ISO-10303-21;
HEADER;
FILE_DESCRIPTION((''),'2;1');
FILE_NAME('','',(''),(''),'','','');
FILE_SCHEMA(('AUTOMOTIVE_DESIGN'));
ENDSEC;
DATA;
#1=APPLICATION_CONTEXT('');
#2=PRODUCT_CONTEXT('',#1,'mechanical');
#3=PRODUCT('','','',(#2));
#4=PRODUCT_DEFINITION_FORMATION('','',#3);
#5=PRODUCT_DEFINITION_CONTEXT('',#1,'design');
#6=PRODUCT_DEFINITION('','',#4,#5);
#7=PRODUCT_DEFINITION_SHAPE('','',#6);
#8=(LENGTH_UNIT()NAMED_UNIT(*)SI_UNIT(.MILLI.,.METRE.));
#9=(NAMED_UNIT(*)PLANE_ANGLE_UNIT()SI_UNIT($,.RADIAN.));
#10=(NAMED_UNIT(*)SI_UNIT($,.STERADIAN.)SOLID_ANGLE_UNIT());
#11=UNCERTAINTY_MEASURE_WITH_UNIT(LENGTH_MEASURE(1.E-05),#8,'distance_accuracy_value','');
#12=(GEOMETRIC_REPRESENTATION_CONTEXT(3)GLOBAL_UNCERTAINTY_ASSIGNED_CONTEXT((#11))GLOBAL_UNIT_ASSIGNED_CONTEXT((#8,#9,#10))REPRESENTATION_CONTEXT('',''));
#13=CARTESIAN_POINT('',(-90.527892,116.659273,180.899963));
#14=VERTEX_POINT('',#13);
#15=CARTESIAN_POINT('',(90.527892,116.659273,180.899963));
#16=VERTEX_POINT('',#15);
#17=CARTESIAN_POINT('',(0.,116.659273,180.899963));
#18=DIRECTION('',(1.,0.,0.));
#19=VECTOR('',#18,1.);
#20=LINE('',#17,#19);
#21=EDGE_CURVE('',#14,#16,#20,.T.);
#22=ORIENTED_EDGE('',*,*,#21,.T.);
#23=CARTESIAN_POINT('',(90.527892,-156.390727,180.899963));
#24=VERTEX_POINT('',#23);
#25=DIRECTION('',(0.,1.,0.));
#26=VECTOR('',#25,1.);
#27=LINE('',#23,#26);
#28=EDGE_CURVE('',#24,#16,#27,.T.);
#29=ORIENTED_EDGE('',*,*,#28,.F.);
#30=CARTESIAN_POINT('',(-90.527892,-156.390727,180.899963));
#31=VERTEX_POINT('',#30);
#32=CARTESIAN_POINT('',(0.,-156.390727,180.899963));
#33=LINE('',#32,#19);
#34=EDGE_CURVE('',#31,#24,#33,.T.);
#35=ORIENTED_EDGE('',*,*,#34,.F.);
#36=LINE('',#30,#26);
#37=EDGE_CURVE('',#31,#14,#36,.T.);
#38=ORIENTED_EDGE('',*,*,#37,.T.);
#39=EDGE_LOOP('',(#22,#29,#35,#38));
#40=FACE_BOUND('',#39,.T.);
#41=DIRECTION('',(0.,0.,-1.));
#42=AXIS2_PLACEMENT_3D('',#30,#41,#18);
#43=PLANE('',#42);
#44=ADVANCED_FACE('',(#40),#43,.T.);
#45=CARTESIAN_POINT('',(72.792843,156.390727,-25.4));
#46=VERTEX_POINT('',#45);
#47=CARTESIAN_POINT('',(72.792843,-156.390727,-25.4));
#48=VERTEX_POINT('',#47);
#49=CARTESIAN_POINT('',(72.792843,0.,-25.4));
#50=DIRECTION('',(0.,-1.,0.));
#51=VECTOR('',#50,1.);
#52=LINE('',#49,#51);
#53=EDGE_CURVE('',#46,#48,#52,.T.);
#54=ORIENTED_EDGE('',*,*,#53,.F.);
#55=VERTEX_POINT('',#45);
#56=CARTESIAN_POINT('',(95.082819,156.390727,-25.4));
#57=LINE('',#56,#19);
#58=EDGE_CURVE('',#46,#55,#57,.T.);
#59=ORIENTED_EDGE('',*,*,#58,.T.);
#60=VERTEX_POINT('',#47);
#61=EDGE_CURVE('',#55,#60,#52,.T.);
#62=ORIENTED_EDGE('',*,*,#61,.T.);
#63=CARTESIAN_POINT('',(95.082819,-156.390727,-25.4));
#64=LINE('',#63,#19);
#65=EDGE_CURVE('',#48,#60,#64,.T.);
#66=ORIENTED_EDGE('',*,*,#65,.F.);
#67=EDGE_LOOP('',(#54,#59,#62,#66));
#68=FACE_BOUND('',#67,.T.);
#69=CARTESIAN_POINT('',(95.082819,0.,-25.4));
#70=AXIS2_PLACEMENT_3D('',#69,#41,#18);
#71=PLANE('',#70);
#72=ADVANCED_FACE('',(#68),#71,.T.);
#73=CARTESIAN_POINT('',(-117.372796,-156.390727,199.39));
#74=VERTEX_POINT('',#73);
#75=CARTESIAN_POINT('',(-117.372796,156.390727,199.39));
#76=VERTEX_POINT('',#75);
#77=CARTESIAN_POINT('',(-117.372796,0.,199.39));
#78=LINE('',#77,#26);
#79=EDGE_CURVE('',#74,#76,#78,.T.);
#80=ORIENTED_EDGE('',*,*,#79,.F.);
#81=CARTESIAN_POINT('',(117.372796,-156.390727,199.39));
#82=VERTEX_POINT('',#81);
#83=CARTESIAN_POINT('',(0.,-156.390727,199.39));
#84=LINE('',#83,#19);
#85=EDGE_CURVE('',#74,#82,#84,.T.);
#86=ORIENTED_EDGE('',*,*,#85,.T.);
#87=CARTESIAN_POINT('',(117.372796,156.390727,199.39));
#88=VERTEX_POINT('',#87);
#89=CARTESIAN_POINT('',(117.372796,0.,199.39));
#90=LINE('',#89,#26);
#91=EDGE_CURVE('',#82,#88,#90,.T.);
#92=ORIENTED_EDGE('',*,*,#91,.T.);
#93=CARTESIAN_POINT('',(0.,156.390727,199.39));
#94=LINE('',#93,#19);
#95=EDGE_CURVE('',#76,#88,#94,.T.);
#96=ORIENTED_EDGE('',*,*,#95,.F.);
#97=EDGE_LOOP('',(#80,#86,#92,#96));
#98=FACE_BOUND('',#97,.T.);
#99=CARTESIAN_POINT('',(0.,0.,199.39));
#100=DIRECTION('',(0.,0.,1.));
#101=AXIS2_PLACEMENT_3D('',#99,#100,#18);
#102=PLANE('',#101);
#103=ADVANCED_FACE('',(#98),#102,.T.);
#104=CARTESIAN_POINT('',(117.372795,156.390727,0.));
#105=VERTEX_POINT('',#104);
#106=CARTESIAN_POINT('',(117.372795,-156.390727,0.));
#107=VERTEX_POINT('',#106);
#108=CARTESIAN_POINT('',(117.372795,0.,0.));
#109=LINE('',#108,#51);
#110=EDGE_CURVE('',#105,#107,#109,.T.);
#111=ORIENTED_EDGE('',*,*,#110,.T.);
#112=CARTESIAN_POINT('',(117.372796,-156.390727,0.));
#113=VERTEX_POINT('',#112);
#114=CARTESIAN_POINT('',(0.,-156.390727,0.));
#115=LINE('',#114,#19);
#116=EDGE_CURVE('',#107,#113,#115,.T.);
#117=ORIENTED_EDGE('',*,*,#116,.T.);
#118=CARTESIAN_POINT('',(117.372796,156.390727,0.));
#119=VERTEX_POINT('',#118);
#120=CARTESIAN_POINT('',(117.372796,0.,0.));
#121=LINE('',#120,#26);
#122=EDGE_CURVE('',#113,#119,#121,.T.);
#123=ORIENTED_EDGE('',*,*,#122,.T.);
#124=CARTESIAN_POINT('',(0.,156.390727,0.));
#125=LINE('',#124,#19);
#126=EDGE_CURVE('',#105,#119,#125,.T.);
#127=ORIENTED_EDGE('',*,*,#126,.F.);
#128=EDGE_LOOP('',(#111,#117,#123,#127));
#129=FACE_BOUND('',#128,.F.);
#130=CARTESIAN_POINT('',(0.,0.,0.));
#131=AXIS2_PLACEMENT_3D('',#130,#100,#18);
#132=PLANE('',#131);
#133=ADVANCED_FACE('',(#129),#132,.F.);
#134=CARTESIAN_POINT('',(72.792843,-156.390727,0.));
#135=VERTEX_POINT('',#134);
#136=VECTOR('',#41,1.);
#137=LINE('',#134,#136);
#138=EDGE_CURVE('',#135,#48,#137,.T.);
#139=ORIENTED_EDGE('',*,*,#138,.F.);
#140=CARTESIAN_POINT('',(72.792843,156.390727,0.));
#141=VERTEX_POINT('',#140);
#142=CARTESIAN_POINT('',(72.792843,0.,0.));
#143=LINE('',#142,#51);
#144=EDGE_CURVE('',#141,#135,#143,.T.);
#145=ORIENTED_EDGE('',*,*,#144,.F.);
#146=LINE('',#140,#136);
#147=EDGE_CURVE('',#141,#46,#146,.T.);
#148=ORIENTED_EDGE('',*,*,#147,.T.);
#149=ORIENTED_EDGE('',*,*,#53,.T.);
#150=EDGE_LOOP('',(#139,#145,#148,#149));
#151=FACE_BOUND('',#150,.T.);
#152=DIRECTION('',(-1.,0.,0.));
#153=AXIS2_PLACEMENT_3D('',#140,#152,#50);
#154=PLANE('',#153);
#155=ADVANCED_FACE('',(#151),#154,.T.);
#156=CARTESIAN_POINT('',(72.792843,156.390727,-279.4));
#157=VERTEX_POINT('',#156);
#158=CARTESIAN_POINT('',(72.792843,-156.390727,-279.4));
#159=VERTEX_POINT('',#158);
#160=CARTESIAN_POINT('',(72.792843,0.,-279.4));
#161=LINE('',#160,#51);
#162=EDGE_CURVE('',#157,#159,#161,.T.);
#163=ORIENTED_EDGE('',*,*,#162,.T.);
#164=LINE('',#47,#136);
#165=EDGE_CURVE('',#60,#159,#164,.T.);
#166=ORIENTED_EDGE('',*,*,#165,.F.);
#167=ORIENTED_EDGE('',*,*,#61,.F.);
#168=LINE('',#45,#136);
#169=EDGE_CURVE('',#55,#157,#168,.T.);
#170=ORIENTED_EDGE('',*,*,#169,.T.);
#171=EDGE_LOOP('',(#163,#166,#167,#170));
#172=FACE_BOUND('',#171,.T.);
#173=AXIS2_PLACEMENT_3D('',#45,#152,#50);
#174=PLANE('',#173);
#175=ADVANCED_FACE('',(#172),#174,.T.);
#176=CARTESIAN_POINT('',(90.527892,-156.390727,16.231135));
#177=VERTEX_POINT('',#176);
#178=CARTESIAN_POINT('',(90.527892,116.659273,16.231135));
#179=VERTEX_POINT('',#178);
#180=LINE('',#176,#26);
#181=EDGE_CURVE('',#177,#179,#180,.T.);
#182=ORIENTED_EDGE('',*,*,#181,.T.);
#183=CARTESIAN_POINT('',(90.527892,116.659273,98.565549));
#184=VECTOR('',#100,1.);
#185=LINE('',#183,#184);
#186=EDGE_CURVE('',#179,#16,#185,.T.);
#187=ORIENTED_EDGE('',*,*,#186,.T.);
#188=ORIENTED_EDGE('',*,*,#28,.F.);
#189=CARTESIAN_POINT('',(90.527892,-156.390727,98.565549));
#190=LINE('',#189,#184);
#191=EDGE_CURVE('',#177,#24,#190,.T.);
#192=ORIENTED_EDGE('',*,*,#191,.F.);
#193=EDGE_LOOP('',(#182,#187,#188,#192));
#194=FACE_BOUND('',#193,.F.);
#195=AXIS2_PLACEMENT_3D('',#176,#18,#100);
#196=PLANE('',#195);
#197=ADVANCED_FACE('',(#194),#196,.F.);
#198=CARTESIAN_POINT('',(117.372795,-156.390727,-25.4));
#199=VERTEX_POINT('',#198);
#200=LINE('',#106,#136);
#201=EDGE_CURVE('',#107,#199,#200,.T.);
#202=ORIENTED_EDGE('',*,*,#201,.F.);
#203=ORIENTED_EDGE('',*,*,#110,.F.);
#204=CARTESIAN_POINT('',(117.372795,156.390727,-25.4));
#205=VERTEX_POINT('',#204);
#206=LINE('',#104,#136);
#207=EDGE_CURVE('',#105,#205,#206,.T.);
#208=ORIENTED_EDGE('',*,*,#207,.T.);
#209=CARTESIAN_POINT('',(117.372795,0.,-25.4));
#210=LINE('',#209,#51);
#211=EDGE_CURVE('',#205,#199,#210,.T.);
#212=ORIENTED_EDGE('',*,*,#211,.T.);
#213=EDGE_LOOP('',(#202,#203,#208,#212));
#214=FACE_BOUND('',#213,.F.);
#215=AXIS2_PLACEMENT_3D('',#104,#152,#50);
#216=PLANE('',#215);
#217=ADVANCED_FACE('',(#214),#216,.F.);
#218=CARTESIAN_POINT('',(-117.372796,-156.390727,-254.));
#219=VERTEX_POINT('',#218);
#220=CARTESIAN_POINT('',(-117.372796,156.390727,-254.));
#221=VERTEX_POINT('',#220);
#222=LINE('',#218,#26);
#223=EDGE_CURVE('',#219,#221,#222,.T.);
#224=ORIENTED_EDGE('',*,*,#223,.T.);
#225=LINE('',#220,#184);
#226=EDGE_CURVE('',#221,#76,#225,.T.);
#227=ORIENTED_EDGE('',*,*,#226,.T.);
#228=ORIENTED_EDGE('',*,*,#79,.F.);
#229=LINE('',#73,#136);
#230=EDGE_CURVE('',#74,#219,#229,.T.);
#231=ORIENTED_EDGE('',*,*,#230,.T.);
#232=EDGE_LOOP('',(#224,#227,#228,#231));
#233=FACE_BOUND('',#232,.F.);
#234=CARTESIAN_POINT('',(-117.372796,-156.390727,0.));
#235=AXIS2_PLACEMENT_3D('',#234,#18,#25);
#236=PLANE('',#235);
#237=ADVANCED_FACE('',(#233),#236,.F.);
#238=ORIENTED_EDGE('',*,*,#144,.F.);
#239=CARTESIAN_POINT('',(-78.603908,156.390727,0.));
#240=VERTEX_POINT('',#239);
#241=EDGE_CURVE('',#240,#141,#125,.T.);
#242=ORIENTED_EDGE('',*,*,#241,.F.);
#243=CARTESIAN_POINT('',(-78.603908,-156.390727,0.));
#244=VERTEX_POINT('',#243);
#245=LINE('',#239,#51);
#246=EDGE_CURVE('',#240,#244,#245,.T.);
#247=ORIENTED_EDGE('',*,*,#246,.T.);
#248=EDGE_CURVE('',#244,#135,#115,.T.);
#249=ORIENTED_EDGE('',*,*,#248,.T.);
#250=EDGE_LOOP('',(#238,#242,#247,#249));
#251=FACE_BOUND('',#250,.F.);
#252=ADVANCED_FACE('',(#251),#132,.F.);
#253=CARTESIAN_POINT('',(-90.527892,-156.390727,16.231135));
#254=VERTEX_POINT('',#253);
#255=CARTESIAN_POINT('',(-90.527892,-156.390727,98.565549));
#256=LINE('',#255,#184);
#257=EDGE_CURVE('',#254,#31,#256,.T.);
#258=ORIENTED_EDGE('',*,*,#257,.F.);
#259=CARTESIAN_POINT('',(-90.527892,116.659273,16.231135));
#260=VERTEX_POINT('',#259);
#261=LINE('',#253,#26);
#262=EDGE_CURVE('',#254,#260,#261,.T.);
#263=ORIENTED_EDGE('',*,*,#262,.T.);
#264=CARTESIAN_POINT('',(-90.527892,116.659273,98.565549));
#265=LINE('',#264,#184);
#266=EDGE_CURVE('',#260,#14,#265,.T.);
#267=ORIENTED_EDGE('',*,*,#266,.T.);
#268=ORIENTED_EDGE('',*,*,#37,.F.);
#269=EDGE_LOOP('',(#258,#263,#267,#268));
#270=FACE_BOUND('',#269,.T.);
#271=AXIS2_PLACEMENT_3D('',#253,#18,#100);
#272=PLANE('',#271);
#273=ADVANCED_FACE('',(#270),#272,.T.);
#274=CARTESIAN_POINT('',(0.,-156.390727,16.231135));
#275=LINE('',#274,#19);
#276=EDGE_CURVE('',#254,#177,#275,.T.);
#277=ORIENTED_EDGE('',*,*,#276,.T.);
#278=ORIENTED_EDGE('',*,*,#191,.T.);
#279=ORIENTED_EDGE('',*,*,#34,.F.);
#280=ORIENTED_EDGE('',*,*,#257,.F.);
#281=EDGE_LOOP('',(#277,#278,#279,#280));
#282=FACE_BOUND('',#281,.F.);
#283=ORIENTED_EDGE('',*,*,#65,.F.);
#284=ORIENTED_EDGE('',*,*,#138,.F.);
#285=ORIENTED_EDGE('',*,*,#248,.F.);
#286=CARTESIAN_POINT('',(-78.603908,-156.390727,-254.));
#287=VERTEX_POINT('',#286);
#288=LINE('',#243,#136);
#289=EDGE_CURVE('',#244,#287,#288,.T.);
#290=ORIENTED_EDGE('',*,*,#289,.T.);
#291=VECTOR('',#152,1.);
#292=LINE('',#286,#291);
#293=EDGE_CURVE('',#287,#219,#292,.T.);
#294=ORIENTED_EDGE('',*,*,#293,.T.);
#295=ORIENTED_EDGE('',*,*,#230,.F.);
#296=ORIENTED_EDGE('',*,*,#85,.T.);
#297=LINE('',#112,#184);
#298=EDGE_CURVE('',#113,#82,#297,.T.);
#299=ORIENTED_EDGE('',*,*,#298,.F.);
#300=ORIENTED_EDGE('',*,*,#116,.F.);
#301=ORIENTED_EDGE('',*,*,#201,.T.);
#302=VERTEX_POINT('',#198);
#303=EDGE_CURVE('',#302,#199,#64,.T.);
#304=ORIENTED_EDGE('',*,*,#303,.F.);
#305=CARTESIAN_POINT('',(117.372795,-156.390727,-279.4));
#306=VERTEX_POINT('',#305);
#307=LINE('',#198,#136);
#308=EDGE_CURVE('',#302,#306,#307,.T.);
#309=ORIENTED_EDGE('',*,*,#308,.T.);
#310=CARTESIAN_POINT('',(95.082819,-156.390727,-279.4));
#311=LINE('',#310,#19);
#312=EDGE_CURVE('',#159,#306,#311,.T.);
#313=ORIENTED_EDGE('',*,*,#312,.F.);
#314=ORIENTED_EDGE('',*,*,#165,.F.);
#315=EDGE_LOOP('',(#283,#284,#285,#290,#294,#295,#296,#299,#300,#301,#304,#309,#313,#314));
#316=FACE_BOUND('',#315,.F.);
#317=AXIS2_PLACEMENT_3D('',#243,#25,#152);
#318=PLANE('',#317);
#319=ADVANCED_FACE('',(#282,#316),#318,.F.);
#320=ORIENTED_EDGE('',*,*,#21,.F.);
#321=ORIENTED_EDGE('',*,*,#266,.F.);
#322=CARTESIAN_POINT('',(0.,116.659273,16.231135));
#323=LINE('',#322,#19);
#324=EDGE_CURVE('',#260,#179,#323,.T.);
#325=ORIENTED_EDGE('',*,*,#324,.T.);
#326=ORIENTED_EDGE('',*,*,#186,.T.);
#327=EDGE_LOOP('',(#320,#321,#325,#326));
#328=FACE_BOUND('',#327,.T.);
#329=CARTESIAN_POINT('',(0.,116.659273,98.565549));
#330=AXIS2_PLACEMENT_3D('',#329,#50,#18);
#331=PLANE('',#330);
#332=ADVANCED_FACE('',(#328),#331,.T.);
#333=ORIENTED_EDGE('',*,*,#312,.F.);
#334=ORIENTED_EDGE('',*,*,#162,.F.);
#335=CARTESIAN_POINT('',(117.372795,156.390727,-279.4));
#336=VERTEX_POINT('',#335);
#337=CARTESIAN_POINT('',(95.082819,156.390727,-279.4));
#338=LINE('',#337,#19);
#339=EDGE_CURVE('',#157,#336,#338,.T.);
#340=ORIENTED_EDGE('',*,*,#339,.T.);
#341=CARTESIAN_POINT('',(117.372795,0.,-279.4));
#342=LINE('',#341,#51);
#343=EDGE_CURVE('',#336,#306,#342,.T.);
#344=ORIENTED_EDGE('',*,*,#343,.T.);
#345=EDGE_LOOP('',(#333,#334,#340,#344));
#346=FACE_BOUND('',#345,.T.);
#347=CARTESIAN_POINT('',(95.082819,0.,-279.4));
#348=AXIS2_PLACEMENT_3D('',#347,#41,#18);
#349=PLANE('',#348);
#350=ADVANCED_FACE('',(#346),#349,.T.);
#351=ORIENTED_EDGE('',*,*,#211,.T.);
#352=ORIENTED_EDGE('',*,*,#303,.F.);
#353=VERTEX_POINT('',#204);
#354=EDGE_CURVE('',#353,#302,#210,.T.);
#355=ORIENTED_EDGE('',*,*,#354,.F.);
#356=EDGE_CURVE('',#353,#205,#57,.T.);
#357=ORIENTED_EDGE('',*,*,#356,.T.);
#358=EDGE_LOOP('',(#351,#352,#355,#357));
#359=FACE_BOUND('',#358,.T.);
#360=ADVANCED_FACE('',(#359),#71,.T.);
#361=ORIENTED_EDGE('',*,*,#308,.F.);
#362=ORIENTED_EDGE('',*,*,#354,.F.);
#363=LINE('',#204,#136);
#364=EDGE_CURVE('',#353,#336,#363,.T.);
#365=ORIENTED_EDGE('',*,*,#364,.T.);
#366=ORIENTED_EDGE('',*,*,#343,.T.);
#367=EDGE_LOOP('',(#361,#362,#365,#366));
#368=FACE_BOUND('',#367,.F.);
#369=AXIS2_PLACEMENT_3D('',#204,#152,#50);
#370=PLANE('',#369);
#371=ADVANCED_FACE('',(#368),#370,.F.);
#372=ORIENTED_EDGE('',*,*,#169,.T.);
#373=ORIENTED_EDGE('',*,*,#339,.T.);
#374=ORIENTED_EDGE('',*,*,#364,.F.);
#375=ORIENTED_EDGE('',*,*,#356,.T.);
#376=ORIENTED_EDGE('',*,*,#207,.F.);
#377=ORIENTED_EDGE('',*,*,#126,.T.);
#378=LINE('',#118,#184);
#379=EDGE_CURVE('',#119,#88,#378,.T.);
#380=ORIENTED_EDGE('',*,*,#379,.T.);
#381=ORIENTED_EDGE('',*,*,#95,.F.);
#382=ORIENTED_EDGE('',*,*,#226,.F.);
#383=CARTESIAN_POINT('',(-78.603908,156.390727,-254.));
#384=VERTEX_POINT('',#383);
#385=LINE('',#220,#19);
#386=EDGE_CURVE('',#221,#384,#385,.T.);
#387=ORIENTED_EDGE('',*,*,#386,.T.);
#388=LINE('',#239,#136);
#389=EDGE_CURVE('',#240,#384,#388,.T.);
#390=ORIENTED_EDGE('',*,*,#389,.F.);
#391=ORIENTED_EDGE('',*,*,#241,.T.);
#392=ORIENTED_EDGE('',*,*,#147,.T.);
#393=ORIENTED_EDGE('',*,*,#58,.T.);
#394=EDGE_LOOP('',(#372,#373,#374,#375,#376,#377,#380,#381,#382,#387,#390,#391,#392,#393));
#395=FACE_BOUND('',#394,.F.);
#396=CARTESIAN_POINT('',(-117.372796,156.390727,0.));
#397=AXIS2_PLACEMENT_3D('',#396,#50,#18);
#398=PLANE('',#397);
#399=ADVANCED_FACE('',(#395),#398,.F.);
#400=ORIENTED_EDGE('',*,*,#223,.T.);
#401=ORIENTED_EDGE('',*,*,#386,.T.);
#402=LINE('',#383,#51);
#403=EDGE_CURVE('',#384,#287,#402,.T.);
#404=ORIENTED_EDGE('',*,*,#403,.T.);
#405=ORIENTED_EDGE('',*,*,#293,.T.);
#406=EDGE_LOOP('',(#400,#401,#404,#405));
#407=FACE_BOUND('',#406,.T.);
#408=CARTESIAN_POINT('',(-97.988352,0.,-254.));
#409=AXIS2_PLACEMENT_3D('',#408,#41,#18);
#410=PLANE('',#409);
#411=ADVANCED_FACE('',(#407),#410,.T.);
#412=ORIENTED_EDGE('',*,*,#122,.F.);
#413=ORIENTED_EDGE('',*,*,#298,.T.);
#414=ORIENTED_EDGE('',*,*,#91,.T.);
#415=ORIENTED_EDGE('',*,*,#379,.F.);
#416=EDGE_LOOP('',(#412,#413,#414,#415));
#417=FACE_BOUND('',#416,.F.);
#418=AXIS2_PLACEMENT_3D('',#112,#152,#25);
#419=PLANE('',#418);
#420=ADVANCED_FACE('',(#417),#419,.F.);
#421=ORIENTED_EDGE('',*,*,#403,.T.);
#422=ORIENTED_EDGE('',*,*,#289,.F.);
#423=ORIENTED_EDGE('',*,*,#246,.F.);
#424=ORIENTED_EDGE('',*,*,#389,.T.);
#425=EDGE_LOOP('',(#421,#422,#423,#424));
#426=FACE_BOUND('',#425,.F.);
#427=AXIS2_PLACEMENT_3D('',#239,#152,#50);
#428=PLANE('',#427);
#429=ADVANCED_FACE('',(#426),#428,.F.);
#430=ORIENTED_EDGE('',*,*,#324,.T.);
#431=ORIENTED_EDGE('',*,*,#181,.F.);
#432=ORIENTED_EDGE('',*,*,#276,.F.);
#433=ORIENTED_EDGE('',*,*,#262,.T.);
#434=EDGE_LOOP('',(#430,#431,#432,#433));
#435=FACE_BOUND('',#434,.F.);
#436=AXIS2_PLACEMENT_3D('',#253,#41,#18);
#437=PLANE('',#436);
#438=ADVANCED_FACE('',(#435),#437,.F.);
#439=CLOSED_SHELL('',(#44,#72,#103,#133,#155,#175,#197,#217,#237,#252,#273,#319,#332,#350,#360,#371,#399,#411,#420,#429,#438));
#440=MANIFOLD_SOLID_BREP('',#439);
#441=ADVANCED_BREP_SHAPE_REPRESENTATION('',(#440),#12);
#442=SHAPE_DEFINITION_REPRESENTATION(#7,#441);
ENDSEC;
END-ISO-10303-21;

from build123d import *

# Parameters (mm, degrees)
F0_W       = 234.745592
F0_H       = 312.781454
F1_DEPTH   = 199.39
F2_W       = 184.208318
F2_H       = 143.576262
F3_DEPTH   = 283.464
F4_W       = 181.309238
F4_H       = 140.677188
F5_DEPTH   = 248.158
F6_DEPTH   = 270.002
F7_W       = 181.055784
F7_H       = 164.668828
F8_DEPTH   = 273.05
F10_DEPTH  = 254
F11_W      = 44.579953
F11_H      = 312.781454
F12_DEPTH  = 25.4
F12_FACE_W = 44.579952
F12_FACE_H = 312.781454
F13_DEPTH  = 254


with BuildPart() as f1:
    # F0 (on Top) → F1 (new body)
    with BuildSketch(Plane.XY):
        Rectangle(F0_W, F0_H)
    extrude(amount=F1_DEPTH)

    # F2 (on face) → F3 (join)
    with BuildSketch(Plane.XZ.offset(156.390727)):
        with Locations((0, 86.327426)):
            Rectangle(F2_W, F2_H)
    extrude(amount=-F3_DEPTH)

    # F4 (on face) → F5 (join)
    with BuildSketch(Plane.XZ.offset(156.390727)):
        with Locations((0, 94.606221)):
            Rectangle(F4_W, F4_H)
    extrude(amount=-F5_DEPTH)

    # F4 (on face) → F6 (join)
    with BuildSketch(Plane.XZ.offset(156.390727)):
        with Locations((0, 94.606221)):
            Rectangle(F4_W, F4_H)
    extrude(amount=-F6_DEPTH)

    # F7 (on face) → F8 (cut)
    with BuildSketch(Plane.XZ.offset(156.390727)):
        with Locations((0, 98.565549)):
            Rectangle(F7_W, F7_H)
    extrude(amount=-F8_DEPTH, mode=Mode.SUBTRACT)

    # F9 (on face) → F10 (join)
    with BuildSketch(Plane(origin=(0, 0, 0), x_dir=(1, 0, 0), z_dir=(0, 0, -1))):
        Polygon((-78.603908, -156.390727), (-78.603908, -125.591993), (-78.603908, 125.591993), (-78.603908, 156.390727), (-117.372796, 156.390727), (-117.372796, -156.390727), align=None)
    extrude(amount=F10_DEPTH)

    # F11 (on face) → F12 (join)
    with BuildSketch(Plane(origin=(0, 0, 0), x_dir=(1, 0, 0), z_dir=(0, 0, -1))):
        with Locations((95.082819, 0)):
            Rectangle(F11_W, F11_H)
    extrude(amount=F12_DEPTH)

    # F12_face (on face) → F13 (join)
    with BuildSketch(Plane(origin=(95.082819, 0, -25.4), x_dir=(1, 0, 0), z_dir=(0, 0, -1))):
        Rectangle(F12_FACE_W, F12_FACE_H)
    extrude(amount=F13_DEPTH)


solid = f1.part
